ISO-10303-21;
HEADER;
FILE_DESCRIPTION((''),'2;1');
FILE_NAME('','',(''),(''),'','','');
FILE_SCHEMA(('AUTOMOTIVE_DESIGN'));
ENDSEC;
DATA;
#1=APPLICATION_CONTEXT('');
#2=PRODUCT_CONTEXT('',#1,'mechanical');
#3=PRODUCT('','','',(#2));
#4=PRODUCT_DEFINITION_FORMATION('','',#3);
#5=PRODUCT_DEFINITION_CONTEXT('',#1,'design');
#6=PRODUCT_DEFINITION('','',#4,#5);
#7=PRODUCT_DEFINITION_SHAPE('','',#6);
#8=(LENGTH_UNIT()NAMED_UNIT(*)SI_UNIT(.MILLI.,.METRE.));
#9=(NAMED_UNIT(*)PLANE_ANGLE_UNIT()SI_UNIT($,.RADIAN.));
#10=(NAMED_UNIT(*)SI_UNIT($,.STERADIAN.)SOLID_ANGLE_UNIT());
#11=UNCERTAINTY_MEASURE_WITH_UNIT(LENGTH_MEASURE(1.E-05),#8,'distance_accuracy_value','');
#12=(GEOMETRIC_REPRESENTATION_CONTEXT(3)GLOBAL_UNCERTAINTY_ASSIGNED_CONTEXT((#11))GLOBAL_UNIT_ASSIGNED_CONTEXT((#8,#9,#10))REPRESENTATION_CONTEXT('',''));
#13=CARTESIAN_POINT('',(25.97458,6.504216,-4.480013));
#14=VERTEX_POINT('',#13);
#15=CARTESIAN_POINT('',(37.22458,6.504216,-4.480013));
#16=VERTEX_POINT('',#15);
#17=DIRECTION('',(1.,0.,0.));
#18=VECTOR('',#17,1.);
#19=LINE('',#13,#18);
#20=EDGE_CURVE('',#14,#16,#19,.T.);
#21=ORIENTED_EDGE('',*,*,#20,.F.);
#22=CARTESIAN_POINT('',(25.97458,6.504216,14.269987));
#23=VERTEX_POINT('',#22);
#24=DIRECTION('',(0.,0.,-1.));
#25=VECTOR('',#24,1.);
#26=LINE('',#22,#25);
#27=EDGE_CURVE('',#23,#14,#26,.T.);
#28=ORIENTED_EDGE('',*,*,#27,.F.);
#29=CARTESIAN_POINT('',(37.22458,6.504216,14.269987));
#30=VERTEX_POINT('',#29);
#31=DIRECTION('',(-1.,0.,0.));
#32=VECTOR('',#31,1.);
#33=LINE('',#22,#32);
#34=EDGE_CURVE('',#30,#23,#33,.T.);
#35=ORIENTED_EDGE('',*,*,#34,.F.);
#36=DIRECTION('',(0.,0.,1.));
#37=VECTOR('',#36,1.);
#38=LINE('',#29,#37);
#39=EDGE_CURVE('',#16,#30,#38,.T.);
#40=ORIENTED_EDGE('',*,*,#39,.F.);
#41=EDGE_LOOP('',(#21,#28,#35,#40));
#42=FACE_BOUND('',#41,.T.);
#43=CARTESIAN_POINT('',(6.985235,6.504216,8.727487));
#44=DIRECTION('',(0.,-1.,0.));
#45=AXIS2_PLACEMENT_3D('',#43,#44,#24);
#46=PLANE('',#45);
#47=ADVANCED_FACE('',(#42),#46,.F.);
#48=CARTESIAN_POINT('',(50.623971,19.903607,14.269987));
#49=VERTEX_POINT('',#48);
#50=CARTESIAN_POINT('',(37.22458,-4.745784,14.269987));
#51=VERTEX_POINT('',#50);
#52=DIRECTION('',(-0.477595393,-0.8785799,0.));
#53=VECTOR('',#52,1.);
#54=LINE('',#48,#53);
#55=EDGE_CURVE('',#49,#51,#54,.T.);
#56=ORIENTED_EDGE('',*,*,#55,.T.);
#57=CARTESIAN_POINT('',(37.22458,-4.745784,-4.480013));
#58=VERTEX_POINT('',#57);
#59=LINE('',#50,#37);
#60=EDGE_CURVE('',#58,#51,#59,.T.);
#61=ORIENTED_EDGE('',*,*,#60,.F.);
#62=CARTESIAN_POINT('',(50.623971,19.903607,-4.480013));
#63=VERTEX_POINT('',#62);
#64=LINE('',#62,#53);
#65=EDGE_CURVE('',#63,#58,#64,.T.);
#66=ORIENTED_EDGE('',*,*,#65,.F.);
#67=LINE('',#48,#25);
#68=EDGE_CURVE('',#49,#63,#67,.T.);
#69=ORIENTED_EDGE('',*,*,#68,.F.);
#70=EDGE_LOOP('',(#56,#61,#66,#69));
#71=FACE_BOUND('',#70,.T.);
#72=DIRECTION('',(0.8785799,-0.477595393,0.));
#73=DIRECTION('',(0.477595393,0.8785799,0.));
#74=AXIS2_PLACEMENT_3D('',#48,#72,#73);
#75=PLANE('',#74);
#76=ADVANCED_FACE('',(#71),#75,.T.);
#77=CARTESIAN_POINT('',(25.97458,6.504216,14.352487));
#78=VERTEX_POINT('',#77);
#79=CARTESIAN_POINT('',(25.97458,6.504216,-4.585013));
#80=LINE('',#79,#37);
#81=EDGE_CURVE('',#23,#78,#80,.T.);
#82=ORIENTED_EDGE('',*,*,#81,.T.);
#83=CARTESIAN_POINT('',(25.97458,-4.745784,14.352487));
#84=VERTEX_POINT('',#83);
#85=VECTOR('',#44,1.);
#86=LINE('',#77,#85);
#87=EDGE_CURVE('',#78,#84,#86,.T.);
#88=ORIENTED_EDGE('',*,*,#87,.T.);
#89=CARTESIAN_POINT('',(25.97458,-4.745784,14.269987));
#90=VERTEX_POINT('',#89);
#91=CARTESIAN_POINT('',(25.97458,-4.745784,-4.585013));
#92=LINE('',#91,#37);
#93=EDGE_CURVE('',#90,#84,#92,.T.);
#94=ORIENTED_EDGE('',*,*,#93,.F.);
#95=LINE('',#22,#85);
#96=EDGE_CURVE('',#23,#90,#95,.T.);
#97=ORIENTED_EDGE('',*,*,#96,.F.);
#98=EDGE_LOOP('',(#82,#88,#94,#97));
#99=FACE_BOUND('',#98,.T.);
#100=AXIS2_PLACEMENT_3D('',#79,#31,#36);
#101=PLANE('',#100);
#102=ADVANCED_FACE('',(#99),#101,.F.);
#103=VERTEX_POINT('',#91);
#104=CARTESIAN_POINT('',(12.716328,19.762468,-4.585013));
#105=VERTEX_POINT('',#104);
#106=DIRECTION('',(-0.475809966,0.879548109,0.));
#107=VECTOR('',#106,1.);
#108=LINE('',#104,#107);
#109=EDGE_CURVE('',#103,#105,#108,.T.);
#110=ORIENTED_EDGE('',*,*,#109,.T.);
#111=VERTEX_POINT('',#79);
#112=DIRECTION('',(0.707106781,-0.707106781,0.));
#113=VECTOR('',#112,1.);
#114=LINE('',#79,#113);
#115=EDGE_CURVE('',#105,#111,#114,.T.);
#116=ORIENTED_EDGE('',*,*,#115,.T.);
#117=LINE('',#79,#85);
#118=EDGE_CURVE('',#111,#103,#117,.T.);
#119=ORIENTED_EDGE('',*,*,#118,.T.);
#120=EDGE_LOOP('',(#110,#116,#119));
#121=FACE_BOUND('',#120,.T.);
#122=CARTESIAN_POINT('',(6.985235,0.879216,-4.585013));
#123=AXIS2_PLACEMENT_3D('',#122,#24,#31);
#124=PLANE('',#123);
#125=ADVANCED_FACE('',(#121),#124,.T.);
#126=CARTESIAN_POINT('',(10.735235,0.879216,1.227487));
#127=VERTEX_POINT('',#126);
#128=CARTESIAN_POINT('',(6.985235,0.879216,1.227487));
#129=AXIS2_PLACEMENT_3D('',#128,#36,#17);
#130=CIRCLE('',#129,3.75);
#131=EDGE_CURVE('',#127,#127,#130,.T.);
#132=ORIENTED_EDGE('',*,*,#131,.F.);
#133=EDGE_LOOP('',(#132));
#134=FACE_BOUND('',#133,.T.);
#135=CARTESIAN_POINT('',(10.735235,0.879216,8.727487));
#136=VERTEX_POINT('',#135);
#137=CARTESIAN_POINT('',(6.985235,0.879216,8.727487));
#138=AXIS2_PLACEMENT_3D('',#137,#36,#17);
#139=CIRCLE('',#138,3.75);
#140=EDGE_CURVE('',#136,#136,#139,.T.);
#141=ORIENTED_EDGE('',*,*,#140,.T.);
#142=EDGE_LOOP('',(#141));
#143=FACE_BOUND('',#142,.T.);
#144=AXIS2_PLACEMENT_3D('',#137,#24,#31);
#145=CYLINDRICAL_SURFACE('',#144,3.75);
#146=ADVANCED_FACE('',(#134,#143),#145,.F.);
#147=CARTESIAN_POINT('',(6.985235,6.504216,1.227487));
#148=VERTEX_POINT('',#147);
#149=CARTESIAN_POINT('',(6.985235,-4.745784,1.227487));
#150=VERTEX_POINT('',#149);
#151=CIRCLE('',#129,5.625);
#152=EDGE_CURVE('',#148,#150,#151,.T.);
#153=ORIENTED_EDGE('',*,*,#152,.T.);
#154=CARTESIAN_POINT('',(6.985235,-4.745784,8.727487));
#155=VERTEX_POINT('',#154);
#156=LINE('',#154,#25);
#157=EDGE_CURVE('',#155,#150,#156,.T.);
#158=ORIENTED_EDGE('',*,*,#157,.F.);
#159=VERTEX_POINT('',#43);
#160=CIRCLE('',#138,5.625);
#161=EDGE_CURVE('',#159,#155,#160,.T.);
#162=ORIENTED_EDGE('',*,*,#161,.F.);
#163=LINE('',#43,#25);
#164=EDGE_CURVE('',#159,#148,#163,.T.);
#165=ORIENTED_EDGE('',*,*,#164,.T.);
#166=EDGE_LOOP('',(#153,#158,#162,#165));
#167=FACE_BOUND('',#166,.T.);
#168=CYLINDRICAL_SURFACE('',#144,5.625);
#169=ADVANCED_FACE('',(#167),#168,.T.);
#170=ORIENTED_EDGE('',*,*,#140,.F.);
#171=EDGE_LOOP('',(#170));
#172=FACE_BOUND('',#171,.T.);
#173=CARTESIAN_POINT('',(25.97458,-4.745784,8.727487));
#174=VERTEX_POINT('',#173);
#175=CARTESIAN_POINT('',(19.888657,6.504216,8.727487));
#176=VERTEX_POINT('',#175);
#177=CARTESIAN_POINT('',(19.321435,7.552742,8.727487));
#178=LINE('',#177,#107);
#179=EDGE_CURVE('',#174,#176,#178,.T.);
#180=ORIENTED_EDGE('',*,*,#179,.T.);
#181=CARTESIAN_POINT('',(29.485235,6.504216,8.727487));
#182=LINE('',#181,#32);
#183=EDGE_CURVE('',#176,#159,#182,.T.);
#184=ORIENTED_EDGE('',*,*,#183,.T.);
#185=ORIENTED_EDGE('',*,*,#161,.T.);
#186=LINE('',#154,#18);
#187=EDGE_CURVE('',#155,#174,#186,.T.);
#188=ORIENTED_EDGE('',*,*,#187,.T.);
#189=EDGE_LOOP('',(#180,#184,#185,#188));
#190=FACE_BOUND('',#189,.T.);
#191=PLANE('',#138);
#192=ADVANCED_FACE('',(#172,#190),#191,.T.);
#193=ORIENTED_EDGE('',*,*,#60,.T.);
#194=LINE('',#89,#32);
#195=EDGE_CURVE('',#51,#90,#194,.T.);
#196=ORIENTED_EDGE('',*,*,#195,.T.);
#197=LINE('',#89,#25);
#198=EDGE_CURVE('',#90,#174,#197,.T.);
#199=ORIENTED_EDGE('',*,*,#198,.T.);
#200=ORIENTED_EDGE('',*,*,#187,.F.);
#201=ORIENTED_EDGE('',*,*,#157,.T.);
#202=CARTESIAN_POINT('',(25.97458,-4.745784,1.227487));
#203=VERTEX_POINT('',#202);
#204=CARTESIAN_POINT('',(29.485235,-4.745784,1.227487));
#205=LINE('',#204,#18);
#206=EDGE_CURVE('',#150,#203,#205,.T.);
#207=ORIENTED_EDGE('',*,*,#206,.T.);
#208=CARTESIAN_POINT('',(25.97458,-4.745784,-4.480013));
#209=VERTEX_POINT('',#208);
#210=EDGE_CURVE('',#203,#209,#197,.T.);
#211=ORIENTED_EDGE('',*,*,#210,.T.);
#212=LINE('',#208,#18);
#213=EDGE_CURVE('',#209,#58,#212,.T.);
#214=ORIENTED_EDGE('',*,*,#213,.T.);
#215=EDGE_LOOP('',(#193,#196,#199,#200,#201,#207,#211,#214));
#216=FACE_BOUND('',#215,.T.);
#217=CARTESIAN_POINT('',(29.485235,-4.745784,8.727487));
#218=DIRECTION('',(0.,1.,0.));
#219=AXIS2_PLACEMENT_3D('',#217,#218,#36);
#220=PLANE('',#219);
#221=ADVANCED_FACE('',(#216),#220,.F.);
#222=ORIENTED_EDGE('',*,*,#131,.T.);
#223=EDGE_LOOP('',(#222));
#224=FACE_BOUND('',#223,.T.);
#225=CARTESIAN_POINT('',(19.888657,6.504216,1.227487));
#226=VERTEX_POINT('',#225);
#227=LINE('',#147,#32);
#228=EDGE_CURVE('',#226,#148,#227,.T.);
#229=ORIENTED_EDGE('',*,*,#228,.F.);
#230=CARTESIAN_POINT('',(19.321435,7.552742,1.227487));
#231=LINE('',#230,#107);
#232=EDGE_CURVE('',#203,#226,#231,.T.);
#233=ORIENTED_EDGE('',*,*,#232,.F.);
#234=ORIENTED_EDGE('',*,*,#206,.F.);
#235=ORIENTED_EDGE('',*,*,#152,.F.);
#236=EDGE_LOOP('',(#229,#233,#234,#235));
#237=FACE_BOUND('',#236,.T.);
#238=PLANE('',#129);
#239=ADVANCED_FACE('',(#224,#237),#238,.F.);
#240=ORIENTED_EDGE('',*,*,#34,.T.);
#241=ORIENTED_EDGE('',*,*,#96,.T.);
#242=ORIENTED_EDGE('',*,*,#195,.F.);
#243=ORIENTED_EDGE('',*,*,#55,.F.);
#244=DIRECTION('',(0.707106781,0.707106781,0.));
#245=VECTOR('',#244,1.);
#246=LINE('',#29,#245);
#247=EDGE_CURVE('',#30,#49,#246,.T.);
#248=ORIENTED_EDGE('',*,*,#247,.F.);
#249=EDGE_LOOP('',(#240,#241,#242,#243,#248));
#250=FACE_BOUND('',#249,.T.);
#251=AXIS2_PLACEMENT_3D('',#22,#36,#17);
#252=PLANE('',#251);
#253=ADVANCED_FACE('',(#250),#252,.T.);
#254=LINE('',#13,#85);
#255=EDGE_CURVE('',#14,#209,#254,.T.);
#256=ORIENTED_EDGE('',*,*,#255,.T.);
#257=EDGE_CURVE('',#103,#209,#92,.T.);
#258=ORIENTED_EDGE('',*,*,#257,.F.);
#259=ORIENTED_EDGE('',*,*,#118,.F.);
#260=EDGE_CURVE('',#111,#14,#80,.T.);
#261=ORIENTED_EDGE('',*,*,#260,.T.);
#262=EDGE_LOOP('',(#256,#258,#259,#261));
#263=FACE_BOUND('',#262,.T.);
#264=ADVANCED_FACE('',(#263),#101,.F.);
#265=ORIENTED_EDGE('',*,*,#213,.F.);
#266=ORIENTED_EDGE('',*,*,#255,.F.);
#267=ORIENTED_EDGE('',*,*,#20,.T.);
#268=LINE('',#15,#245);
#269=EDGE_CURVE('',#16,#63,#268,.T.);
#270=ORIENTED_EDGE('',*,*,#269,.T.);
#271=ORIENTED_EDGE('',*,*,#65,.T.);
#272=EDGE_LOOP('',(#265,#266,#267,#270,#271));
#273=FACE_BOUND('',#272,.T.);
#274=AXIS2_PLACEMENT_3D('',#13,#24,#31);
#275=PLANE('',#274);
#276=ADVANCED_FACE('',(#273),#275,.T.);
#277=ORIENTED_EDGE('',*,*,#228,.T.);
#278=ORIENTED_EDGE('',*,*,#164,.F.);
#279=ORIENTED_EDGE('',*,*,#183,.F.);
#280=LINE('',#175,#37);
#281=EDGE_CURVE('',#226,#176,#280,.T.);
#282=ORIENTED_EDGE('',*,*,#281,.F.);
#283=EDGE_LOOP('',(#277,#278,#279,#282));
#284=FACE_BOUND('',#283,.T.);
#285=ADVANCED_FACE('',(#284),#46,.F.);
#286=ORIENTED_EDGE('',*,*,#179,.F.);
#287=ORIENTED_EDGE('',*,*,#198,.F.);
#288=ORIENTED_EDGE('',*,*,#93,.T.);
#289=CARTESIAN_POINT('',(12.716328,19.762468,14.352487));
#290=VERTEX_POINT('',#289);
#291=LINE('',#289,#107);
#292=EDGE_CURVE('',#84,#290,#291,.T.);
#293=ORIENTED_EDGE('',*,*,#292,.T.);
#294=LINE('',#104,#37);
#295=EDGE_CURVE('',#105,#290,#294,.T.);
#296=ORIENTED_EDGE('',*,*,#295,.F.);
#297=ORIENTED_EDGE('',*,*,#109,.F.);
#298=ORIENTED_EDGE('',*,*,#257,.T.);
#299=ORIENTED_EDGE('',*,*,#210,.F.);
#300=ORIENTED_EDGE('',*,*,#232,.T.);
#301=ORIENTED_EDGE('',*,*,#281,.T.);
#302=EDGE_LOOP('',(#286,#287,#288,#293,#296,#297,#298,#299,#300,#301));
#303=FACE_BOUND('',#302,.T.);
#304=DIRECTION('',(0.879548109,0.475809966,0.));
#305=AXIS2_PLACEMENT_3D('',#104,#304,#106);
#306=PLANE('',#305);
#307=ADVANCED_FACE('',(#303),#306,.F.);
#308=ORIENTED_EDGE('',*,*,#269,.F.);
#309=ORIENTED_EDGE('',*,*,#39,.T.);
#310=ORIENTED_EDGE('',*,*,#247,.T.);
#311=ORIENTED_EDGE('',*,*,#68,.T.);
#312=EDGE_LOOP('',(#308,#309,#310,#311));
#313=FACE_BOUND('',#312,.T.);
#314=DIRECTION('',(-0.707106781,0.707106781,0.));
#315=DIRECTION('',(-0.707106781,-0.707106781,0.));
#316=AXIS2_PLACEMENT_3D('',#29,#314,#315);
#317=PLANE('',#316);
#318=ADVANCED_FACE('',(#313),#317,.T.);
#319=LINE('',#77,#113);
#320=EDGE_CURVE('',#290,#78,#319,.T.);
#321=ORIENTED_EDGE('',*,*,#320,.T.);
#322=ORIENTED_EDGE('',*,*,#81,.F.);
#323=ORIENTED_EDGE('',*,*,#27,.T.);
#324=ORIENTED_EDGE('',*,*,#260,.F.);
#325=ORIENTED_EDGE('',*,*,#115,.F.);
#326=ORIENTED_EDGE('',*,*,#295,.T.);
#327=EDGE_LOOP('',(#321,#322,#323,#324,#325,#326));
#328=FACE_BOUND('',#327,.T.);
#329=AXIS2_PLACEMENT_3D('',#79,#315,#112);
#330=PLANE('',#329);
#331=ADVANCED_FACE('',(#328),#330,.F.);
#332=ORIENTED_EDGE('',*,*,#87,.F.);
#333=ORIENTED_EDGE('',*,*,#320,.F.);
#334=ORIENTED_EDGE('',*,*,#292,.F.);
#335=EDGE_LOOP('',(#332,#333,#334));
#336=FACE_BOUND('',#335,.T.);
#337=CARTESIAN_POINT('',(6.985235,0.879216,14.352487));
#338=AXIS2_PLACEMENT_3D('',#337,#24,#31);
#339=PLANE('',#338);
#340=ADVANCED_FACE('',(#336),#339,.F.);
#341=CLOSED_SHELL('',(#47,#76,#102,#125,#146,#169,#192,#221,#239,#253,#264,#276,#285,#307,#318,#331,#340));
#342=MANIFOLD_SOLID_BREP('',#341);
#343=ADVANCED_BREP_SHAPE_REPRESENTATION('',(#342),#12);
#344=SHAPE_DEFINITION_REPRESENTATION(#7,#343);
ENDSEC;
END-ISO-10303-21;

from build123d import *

# Parameters (mm, degrees)
CROQUIS1_R                    = 5
SALIENTE_EXTRUIR1_DEPTH       = 10
CROQUIS4_W                    = 15
CROQUIS4_H                    = 25
SALIENTE_EXTRUIR3_DEPTH       = 15
SALIENTE_EXTRUIR9_DEPTH       = 25
SALIENTE_EXTRUIR10_DEPTH      = 7.75
SALIENTE_EXTRUIR10_DEPTH_BACK = 17.5
ESCALA1_SCALE                 = 0.75


with BuildPart() as part:
    # Croquis1 → Saliente-Extruir1 (new body)
    with BuildSketch(Plane.XY):
        with BuildLine():
            Line((0, 7.5), (30, 7.5))
            Line((30, 7.5), (37.5, 7.5))
            Line((37.5, 7.5), (37.5, -7.5))
            Line((37.5, -7.5), (30, -7.5))
            Line((30, -7.5), (0, -7.5))
            ThreePointArc((0, -7.5), (-7.5, 0), (0, 7.5))
        make_face()
        Circle(CROQUIS1_R, mode=Mode.SUBTRACT)
    extrude(amount=SALIENTE_EXTRUIR1_DEPTH)

    # Croquis4 → Saliente-Extruir3 (add)
    with BuildSketch(Plane.XZ.offset(7.5)):
        with Locations((32.819126762, 4.89)):
            Rectangle(CROQUIS4_W, CROQUIS4_H)
    extrude(amount=-SALIENTE_EXTRUIR3_DEPTH)

    # Croquis11 → Saliente-Extruir9 (add)
    with BuildSketch(Plane(origin=(0, 0, -7.61), x_dir=(-1, 0, 0), z_dir=(0, 0, -1))):
        Polygon((-40.319126762, 7.5), (-58.184981349, 25.365854587), (-40.319126762, -7.5), align=None)
    extrude(amount=-SALIENTE_EXTRUIR9_DEPTH)

    # Croquis14 → Saliente-Extruir10 (add, two sides: drawn at the far end of the back side and taken through both)
    with BuildSketch(Plane(origin=(0, 0, 0), x_dir=(-1, 0, 0), z_dir=(0, 0, -1)).offset(-SALIENTE_EXTRUIR10_DEPTH_BACK)):
        Polygon((-25.319126762, 7.5), (-7.641457232, 25.17766953), (-25.319126762, -7.5), align=None)
    extrude(amount=SALIENTE_EXTRUIR10_DEPTH + SALIENTE_EXTRUIR10_DEPTH_BACK)


with BuildPart() as part_1:
    # Escala1: scaled about (27.940941058, 3.516863711, 4.909948999)
    add(part.part.scale(ESCALA1_SCALE).moved(Location((6.985235264, 0.879215928, 1.22748725))))


solid = part_1.part
